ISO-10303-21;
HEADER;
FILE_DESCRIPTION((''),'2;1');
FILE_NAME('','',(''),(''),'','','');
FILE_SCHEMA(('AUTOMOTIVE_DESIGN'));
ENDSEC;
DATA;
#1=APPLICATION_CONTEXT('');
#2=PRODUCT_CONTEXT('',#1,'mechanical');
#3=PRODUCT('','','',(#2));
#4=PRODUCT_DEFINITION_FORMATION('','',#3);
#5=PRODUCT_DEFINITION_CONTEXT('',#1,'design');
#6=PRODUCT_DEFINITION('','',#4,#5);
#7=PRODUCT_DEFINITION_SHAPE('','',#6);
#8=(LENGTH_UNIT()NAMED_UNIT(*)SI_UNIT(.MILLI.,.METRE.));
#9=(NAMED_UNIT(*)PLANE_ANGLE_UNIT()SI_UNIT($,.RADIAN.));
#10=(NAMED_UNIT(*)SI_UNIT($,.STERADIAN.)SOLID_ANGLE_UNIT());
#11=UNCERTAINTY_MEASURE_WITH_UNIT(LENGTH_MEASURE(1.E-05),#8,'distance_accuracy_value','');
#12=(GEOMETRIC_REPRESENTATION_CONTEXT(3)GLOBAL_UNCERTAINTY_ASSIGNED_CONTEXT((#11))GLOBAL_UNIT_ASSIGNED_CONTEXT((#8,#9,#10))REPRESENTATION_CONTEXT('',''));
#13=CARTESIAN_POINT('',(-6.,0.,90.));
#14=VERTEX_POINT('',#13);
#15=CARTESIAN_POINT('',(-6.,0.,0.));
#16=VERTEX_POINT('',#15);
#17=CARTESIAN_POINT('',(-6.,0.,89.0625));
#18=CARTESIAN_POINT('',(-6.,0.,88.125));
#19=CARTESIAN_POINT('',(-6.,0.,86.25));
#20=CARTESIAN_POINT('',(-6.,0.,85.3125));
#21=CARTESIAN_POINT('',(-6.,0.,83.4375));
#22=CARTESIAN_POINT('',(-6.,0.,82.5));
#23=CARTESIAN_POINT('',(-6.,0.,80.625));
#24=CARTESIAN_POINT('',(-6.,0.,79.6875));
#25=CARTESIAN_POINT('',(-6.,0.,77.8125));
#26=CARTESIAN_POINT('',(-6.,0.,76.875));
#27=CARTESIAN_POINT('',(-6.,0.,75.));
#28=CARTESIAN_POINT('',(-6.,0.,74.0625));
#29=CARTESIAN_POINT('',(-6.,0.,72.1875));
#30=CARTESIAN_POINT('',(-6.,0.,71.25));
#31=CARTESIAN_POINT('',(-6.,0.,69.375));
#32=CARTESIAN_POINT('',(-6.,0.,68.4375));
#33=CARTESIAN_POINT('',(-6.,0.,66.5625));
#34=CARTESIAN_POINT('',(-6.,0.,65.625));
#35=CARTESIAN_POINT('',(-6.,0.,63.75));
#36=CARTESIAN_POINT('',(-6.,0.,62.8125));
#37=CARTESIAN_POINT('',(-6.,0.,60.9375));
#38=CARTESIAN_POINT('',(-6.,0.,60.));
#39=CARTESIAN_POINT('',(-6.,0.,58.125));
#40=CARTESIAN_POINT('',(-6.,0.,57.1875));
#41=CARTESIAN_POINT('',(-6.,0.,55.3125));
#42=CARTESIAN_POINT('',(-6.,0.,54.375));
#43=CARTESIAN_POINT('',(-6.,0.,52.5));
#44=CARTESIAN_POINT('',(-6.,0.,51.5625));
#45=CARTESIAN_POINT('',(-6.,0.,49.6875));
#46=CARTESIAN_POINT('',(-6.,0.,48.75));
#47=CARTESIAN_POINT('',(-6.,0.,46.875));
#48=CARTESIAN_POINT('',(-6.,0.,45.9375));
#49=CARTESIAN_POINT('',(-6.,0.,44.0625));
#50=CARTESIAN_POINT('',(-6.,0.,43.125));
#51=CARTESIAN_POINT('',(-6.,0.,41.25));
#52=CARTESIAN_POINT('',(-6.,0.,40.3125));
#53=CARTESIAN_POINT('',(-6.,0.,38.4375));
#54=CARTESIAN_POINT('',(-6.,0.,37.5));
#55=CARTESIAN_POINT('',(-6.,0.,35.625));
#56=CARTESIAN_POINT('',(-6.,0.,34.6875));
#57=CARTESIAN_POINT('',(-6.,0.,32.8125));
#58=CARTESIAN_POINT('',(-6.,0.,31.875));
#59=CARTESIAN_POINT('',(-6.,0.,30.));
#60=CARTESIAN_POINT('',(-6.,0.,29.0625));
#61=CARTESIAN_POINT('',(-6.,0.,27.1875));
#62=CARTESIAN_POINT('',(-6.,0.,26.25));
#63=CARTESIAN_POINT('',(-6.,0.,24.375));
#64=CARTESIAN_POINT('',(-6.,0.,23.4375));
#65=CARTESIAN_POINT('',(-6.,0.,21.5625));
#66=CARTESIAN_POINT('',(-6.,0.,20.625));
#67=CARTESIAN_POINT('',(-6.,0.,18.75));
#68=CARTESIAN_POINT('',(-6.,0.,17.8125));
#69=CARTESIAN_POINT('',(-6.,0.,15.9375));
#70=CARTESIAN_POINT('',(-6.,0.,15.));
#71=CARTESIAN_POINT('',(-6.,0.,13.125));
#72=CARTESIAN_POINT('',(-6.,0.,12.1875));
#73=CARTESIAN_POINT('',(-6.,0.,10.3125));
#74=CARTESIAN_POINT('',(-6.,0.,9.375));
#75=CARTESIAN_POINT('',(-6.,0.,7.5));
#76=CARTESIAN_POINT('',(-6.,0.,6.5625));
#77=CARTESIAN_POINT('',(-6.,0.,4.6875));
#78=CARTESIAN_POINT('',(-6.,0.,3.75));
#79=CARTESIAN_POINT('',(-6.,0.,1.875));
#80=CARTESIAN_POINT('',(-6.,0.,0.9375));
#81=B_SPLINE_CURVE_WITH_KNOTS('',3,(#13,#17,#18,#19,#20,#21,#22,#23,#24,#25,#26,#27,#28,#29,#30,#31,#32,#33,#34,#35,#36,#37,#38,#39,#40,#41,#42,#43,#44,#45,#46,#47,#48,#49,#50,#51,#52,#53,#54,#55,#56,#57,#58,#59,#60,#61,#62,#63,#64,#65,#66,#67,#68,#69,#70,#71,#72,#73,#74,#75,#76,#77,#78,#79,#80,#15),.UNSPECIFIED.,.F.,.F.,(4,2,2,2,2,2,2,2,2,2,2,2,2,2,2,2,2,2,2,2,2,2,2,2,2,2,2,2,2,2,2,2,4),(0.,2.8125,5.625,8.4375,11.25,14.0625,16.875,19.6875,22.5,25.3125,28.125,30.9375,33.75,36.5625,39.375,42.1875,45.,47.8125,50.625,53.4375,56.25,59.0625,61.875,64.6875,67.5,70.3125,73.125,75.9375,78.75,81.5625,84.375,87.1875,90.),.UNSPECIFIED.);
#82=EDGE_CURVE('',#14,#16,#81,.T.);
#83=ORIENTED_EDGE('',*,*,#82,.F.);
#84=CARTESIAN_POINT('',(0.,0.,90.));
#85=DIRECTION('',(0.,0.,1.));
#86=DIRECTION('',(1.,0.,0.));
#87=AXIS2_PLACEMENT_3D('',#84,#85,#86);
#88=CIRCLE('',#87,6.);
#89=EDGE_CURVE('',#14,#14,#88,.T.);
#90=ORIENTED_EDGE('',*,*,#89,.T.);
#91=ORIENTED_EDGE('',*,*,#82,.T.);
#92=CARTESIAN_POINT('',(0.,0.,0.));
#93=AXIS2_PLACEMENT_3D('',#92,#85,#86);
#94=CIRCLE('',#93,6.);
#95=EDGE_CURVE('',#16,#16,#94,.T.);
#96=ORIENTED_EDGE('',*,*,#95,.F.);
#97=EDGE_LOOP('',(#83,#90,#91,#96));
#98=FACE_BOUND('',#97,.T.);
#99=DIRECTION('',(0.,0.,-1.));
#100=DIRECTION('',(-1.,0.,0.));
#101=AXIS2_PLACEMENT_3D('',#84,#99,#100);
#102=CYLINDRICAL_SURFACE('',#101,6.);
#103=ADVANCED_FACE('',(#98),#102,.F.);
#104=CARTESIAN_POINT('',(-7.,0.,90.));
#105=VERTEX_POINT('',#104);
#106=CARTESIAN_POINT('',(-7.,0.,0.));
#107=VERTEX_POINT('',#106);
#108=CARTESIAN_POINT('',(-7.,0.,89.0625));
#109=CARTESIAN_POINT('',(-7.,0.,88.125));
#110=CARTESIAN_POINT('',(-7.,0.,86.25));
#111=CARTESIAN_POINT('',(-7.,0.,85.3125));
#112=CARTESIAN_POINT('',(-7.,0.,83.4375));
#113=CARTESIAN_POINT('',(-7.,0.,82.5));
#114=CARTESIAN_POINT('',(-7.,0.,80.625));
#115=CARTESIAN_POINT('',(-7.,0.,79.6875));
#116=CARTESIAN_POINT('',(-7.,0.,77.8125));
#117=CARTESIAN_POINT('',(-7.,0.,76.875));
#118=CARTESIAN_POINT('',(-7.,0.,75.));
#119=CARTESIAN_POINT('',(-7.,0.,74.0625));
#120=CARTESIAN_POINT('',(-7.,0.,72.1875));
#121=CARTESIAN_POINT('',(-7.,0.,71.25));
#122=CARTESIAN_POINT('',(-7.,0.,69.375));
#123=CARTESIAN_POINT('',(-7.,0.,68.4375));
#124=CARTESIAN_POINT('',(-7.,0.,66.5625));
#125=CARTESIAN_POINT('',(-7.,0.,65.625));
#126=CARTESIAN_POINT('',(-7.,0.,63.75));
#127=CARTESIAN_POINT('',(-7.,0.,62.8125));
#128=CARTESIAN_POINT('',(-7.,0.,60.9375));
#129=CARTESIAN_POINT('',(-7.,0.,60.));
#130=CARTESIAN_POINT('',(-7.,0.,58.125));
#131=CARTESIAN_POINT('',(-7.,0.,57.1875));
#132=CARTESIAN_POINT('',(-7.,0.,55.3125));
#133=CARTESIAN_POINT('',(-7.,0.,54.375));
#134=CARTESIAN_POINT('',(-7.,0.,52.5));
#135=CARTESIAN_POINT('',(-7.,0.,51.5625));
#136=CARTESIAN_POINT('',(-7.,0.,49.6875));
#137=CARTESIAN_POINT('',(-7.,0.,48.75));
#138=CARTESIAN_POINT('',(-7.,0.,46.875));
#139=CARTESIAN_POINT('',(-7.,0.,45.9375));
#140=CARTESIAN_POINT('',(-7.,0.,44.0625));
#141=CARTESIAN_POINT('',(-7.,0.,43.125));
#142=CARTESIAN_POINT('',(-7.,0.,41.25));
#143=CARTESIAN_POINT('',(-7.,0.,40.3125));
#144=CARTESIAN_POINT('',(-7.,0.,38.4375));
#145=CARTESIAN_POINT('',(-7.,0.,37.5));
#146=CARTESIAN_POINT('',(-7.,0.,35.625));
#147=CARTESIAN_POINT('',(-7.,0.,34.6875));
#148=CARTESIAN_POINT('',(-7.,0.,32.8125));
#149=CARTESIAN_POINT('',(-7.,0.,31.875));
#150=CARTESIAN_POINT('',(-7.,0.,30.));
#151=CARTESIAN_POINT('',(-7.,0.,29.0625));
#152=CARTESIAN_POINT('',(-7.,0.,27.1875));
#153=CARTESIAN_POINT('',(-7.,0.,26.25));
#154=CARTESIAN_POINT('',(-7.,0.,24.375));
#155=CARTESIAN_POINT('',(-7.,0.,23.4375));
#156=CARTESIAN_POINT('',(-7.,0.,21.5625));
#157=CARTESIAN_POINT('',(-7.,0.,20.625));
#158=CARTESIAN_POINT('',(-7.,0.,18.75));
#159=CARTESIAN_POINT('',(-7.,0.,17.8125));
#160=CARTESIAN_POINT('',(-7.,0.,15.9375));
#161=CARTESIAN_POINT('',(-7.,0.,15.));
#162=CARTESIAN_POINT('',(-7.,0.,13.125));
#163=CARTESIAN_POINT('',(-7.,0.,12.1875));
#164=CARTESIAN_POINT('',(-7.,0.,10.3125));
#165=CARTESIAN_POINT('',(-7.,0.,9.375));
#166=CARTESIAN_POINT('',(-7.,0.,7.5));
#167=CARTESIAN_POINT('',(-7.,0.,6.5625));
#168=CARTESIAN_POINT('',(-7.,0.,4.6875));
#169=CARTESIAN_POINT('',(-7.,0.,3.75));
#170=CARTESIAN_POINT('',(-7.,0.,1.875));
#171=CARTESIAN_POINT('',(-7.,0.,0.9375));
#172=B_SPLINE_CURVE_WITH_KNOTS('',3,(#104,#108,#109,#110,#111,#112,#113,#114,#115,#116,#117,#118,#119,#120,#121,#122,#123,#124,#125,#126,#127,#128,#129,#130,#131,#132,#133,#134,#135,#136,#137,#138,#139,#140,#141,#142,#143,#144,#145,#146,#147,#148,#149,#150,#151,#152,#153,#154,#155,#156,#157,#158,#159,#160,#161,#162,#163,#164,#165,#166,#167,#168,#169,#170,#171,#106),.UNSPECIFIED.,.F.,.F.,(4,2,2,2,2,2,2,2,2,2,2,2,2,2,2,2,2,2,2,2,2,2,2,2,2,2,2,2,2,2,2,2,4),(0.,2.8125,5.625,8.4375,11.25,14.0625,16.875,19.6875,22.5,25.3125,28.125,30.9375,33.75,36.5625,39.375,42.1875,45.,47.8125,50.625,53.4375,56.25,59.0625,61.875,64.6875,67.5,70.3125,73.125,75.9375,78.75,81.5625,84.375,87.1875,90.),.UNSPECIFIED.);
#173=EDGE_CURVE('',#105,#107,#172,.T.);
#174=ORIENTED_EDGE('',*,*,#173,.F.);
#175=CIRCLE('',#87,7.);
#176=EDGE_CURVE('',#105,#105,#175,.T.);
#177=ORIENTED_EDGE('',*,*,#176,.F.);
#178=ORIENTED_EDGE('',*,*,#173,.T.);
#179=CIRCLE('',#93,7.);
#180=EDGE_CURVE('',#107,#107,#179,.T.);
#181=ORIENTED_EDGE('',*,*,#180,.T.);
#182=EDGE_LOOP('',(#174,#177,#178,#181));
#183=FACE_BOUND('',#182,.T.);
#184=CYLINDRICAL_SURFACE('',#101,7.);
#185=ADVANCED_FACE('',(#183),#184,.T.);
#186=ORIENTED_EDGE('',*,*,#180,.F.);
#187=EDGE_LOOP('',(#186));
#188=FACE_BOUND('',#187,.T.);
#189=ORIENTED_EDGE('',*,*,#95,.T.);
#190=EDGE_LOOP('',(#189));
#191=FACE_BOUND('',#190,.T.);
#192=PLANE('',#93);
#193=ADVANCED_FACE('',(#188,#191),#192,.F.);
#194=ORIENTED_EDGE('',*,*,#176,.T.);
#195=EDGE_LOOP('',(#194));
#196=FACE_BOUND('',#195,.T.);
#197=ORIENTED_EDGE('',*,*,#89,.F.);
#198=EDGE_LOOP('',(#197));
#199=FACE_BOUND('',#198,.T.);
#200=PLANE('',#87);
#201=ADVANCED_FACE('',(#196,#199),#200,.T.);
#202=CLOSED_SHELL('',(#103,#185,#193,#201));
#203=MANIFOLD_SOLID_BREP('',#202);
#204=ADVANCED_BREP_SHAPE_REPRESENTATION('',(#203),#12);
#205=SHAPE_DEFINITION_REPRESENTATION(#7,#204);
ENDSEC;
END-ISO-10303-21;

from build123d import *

# Parameters (mm, degrees)
SKETCH_1_R      = 7
SKETCH_1_R_2    = 6
EXTRUDE_1_DEPTH = 90


with BuildPart() as part:
    # 스케치1 → 보스-돌출1 (new body)
    with BuildSketch(Plane.XY):
        with Locations(Location((0, 0, 0), (0, 0, 180))):
            Circle(SKETCH_1_R)
        with Locations(Location((0, 0, 0), (0, 0, 180))):
            Circle(SKETCH_1_R_2, mode=Mode.SUBTRACT)
    extrude(amount=EXTRUDE_1_DEPTH)


solid = part.part
